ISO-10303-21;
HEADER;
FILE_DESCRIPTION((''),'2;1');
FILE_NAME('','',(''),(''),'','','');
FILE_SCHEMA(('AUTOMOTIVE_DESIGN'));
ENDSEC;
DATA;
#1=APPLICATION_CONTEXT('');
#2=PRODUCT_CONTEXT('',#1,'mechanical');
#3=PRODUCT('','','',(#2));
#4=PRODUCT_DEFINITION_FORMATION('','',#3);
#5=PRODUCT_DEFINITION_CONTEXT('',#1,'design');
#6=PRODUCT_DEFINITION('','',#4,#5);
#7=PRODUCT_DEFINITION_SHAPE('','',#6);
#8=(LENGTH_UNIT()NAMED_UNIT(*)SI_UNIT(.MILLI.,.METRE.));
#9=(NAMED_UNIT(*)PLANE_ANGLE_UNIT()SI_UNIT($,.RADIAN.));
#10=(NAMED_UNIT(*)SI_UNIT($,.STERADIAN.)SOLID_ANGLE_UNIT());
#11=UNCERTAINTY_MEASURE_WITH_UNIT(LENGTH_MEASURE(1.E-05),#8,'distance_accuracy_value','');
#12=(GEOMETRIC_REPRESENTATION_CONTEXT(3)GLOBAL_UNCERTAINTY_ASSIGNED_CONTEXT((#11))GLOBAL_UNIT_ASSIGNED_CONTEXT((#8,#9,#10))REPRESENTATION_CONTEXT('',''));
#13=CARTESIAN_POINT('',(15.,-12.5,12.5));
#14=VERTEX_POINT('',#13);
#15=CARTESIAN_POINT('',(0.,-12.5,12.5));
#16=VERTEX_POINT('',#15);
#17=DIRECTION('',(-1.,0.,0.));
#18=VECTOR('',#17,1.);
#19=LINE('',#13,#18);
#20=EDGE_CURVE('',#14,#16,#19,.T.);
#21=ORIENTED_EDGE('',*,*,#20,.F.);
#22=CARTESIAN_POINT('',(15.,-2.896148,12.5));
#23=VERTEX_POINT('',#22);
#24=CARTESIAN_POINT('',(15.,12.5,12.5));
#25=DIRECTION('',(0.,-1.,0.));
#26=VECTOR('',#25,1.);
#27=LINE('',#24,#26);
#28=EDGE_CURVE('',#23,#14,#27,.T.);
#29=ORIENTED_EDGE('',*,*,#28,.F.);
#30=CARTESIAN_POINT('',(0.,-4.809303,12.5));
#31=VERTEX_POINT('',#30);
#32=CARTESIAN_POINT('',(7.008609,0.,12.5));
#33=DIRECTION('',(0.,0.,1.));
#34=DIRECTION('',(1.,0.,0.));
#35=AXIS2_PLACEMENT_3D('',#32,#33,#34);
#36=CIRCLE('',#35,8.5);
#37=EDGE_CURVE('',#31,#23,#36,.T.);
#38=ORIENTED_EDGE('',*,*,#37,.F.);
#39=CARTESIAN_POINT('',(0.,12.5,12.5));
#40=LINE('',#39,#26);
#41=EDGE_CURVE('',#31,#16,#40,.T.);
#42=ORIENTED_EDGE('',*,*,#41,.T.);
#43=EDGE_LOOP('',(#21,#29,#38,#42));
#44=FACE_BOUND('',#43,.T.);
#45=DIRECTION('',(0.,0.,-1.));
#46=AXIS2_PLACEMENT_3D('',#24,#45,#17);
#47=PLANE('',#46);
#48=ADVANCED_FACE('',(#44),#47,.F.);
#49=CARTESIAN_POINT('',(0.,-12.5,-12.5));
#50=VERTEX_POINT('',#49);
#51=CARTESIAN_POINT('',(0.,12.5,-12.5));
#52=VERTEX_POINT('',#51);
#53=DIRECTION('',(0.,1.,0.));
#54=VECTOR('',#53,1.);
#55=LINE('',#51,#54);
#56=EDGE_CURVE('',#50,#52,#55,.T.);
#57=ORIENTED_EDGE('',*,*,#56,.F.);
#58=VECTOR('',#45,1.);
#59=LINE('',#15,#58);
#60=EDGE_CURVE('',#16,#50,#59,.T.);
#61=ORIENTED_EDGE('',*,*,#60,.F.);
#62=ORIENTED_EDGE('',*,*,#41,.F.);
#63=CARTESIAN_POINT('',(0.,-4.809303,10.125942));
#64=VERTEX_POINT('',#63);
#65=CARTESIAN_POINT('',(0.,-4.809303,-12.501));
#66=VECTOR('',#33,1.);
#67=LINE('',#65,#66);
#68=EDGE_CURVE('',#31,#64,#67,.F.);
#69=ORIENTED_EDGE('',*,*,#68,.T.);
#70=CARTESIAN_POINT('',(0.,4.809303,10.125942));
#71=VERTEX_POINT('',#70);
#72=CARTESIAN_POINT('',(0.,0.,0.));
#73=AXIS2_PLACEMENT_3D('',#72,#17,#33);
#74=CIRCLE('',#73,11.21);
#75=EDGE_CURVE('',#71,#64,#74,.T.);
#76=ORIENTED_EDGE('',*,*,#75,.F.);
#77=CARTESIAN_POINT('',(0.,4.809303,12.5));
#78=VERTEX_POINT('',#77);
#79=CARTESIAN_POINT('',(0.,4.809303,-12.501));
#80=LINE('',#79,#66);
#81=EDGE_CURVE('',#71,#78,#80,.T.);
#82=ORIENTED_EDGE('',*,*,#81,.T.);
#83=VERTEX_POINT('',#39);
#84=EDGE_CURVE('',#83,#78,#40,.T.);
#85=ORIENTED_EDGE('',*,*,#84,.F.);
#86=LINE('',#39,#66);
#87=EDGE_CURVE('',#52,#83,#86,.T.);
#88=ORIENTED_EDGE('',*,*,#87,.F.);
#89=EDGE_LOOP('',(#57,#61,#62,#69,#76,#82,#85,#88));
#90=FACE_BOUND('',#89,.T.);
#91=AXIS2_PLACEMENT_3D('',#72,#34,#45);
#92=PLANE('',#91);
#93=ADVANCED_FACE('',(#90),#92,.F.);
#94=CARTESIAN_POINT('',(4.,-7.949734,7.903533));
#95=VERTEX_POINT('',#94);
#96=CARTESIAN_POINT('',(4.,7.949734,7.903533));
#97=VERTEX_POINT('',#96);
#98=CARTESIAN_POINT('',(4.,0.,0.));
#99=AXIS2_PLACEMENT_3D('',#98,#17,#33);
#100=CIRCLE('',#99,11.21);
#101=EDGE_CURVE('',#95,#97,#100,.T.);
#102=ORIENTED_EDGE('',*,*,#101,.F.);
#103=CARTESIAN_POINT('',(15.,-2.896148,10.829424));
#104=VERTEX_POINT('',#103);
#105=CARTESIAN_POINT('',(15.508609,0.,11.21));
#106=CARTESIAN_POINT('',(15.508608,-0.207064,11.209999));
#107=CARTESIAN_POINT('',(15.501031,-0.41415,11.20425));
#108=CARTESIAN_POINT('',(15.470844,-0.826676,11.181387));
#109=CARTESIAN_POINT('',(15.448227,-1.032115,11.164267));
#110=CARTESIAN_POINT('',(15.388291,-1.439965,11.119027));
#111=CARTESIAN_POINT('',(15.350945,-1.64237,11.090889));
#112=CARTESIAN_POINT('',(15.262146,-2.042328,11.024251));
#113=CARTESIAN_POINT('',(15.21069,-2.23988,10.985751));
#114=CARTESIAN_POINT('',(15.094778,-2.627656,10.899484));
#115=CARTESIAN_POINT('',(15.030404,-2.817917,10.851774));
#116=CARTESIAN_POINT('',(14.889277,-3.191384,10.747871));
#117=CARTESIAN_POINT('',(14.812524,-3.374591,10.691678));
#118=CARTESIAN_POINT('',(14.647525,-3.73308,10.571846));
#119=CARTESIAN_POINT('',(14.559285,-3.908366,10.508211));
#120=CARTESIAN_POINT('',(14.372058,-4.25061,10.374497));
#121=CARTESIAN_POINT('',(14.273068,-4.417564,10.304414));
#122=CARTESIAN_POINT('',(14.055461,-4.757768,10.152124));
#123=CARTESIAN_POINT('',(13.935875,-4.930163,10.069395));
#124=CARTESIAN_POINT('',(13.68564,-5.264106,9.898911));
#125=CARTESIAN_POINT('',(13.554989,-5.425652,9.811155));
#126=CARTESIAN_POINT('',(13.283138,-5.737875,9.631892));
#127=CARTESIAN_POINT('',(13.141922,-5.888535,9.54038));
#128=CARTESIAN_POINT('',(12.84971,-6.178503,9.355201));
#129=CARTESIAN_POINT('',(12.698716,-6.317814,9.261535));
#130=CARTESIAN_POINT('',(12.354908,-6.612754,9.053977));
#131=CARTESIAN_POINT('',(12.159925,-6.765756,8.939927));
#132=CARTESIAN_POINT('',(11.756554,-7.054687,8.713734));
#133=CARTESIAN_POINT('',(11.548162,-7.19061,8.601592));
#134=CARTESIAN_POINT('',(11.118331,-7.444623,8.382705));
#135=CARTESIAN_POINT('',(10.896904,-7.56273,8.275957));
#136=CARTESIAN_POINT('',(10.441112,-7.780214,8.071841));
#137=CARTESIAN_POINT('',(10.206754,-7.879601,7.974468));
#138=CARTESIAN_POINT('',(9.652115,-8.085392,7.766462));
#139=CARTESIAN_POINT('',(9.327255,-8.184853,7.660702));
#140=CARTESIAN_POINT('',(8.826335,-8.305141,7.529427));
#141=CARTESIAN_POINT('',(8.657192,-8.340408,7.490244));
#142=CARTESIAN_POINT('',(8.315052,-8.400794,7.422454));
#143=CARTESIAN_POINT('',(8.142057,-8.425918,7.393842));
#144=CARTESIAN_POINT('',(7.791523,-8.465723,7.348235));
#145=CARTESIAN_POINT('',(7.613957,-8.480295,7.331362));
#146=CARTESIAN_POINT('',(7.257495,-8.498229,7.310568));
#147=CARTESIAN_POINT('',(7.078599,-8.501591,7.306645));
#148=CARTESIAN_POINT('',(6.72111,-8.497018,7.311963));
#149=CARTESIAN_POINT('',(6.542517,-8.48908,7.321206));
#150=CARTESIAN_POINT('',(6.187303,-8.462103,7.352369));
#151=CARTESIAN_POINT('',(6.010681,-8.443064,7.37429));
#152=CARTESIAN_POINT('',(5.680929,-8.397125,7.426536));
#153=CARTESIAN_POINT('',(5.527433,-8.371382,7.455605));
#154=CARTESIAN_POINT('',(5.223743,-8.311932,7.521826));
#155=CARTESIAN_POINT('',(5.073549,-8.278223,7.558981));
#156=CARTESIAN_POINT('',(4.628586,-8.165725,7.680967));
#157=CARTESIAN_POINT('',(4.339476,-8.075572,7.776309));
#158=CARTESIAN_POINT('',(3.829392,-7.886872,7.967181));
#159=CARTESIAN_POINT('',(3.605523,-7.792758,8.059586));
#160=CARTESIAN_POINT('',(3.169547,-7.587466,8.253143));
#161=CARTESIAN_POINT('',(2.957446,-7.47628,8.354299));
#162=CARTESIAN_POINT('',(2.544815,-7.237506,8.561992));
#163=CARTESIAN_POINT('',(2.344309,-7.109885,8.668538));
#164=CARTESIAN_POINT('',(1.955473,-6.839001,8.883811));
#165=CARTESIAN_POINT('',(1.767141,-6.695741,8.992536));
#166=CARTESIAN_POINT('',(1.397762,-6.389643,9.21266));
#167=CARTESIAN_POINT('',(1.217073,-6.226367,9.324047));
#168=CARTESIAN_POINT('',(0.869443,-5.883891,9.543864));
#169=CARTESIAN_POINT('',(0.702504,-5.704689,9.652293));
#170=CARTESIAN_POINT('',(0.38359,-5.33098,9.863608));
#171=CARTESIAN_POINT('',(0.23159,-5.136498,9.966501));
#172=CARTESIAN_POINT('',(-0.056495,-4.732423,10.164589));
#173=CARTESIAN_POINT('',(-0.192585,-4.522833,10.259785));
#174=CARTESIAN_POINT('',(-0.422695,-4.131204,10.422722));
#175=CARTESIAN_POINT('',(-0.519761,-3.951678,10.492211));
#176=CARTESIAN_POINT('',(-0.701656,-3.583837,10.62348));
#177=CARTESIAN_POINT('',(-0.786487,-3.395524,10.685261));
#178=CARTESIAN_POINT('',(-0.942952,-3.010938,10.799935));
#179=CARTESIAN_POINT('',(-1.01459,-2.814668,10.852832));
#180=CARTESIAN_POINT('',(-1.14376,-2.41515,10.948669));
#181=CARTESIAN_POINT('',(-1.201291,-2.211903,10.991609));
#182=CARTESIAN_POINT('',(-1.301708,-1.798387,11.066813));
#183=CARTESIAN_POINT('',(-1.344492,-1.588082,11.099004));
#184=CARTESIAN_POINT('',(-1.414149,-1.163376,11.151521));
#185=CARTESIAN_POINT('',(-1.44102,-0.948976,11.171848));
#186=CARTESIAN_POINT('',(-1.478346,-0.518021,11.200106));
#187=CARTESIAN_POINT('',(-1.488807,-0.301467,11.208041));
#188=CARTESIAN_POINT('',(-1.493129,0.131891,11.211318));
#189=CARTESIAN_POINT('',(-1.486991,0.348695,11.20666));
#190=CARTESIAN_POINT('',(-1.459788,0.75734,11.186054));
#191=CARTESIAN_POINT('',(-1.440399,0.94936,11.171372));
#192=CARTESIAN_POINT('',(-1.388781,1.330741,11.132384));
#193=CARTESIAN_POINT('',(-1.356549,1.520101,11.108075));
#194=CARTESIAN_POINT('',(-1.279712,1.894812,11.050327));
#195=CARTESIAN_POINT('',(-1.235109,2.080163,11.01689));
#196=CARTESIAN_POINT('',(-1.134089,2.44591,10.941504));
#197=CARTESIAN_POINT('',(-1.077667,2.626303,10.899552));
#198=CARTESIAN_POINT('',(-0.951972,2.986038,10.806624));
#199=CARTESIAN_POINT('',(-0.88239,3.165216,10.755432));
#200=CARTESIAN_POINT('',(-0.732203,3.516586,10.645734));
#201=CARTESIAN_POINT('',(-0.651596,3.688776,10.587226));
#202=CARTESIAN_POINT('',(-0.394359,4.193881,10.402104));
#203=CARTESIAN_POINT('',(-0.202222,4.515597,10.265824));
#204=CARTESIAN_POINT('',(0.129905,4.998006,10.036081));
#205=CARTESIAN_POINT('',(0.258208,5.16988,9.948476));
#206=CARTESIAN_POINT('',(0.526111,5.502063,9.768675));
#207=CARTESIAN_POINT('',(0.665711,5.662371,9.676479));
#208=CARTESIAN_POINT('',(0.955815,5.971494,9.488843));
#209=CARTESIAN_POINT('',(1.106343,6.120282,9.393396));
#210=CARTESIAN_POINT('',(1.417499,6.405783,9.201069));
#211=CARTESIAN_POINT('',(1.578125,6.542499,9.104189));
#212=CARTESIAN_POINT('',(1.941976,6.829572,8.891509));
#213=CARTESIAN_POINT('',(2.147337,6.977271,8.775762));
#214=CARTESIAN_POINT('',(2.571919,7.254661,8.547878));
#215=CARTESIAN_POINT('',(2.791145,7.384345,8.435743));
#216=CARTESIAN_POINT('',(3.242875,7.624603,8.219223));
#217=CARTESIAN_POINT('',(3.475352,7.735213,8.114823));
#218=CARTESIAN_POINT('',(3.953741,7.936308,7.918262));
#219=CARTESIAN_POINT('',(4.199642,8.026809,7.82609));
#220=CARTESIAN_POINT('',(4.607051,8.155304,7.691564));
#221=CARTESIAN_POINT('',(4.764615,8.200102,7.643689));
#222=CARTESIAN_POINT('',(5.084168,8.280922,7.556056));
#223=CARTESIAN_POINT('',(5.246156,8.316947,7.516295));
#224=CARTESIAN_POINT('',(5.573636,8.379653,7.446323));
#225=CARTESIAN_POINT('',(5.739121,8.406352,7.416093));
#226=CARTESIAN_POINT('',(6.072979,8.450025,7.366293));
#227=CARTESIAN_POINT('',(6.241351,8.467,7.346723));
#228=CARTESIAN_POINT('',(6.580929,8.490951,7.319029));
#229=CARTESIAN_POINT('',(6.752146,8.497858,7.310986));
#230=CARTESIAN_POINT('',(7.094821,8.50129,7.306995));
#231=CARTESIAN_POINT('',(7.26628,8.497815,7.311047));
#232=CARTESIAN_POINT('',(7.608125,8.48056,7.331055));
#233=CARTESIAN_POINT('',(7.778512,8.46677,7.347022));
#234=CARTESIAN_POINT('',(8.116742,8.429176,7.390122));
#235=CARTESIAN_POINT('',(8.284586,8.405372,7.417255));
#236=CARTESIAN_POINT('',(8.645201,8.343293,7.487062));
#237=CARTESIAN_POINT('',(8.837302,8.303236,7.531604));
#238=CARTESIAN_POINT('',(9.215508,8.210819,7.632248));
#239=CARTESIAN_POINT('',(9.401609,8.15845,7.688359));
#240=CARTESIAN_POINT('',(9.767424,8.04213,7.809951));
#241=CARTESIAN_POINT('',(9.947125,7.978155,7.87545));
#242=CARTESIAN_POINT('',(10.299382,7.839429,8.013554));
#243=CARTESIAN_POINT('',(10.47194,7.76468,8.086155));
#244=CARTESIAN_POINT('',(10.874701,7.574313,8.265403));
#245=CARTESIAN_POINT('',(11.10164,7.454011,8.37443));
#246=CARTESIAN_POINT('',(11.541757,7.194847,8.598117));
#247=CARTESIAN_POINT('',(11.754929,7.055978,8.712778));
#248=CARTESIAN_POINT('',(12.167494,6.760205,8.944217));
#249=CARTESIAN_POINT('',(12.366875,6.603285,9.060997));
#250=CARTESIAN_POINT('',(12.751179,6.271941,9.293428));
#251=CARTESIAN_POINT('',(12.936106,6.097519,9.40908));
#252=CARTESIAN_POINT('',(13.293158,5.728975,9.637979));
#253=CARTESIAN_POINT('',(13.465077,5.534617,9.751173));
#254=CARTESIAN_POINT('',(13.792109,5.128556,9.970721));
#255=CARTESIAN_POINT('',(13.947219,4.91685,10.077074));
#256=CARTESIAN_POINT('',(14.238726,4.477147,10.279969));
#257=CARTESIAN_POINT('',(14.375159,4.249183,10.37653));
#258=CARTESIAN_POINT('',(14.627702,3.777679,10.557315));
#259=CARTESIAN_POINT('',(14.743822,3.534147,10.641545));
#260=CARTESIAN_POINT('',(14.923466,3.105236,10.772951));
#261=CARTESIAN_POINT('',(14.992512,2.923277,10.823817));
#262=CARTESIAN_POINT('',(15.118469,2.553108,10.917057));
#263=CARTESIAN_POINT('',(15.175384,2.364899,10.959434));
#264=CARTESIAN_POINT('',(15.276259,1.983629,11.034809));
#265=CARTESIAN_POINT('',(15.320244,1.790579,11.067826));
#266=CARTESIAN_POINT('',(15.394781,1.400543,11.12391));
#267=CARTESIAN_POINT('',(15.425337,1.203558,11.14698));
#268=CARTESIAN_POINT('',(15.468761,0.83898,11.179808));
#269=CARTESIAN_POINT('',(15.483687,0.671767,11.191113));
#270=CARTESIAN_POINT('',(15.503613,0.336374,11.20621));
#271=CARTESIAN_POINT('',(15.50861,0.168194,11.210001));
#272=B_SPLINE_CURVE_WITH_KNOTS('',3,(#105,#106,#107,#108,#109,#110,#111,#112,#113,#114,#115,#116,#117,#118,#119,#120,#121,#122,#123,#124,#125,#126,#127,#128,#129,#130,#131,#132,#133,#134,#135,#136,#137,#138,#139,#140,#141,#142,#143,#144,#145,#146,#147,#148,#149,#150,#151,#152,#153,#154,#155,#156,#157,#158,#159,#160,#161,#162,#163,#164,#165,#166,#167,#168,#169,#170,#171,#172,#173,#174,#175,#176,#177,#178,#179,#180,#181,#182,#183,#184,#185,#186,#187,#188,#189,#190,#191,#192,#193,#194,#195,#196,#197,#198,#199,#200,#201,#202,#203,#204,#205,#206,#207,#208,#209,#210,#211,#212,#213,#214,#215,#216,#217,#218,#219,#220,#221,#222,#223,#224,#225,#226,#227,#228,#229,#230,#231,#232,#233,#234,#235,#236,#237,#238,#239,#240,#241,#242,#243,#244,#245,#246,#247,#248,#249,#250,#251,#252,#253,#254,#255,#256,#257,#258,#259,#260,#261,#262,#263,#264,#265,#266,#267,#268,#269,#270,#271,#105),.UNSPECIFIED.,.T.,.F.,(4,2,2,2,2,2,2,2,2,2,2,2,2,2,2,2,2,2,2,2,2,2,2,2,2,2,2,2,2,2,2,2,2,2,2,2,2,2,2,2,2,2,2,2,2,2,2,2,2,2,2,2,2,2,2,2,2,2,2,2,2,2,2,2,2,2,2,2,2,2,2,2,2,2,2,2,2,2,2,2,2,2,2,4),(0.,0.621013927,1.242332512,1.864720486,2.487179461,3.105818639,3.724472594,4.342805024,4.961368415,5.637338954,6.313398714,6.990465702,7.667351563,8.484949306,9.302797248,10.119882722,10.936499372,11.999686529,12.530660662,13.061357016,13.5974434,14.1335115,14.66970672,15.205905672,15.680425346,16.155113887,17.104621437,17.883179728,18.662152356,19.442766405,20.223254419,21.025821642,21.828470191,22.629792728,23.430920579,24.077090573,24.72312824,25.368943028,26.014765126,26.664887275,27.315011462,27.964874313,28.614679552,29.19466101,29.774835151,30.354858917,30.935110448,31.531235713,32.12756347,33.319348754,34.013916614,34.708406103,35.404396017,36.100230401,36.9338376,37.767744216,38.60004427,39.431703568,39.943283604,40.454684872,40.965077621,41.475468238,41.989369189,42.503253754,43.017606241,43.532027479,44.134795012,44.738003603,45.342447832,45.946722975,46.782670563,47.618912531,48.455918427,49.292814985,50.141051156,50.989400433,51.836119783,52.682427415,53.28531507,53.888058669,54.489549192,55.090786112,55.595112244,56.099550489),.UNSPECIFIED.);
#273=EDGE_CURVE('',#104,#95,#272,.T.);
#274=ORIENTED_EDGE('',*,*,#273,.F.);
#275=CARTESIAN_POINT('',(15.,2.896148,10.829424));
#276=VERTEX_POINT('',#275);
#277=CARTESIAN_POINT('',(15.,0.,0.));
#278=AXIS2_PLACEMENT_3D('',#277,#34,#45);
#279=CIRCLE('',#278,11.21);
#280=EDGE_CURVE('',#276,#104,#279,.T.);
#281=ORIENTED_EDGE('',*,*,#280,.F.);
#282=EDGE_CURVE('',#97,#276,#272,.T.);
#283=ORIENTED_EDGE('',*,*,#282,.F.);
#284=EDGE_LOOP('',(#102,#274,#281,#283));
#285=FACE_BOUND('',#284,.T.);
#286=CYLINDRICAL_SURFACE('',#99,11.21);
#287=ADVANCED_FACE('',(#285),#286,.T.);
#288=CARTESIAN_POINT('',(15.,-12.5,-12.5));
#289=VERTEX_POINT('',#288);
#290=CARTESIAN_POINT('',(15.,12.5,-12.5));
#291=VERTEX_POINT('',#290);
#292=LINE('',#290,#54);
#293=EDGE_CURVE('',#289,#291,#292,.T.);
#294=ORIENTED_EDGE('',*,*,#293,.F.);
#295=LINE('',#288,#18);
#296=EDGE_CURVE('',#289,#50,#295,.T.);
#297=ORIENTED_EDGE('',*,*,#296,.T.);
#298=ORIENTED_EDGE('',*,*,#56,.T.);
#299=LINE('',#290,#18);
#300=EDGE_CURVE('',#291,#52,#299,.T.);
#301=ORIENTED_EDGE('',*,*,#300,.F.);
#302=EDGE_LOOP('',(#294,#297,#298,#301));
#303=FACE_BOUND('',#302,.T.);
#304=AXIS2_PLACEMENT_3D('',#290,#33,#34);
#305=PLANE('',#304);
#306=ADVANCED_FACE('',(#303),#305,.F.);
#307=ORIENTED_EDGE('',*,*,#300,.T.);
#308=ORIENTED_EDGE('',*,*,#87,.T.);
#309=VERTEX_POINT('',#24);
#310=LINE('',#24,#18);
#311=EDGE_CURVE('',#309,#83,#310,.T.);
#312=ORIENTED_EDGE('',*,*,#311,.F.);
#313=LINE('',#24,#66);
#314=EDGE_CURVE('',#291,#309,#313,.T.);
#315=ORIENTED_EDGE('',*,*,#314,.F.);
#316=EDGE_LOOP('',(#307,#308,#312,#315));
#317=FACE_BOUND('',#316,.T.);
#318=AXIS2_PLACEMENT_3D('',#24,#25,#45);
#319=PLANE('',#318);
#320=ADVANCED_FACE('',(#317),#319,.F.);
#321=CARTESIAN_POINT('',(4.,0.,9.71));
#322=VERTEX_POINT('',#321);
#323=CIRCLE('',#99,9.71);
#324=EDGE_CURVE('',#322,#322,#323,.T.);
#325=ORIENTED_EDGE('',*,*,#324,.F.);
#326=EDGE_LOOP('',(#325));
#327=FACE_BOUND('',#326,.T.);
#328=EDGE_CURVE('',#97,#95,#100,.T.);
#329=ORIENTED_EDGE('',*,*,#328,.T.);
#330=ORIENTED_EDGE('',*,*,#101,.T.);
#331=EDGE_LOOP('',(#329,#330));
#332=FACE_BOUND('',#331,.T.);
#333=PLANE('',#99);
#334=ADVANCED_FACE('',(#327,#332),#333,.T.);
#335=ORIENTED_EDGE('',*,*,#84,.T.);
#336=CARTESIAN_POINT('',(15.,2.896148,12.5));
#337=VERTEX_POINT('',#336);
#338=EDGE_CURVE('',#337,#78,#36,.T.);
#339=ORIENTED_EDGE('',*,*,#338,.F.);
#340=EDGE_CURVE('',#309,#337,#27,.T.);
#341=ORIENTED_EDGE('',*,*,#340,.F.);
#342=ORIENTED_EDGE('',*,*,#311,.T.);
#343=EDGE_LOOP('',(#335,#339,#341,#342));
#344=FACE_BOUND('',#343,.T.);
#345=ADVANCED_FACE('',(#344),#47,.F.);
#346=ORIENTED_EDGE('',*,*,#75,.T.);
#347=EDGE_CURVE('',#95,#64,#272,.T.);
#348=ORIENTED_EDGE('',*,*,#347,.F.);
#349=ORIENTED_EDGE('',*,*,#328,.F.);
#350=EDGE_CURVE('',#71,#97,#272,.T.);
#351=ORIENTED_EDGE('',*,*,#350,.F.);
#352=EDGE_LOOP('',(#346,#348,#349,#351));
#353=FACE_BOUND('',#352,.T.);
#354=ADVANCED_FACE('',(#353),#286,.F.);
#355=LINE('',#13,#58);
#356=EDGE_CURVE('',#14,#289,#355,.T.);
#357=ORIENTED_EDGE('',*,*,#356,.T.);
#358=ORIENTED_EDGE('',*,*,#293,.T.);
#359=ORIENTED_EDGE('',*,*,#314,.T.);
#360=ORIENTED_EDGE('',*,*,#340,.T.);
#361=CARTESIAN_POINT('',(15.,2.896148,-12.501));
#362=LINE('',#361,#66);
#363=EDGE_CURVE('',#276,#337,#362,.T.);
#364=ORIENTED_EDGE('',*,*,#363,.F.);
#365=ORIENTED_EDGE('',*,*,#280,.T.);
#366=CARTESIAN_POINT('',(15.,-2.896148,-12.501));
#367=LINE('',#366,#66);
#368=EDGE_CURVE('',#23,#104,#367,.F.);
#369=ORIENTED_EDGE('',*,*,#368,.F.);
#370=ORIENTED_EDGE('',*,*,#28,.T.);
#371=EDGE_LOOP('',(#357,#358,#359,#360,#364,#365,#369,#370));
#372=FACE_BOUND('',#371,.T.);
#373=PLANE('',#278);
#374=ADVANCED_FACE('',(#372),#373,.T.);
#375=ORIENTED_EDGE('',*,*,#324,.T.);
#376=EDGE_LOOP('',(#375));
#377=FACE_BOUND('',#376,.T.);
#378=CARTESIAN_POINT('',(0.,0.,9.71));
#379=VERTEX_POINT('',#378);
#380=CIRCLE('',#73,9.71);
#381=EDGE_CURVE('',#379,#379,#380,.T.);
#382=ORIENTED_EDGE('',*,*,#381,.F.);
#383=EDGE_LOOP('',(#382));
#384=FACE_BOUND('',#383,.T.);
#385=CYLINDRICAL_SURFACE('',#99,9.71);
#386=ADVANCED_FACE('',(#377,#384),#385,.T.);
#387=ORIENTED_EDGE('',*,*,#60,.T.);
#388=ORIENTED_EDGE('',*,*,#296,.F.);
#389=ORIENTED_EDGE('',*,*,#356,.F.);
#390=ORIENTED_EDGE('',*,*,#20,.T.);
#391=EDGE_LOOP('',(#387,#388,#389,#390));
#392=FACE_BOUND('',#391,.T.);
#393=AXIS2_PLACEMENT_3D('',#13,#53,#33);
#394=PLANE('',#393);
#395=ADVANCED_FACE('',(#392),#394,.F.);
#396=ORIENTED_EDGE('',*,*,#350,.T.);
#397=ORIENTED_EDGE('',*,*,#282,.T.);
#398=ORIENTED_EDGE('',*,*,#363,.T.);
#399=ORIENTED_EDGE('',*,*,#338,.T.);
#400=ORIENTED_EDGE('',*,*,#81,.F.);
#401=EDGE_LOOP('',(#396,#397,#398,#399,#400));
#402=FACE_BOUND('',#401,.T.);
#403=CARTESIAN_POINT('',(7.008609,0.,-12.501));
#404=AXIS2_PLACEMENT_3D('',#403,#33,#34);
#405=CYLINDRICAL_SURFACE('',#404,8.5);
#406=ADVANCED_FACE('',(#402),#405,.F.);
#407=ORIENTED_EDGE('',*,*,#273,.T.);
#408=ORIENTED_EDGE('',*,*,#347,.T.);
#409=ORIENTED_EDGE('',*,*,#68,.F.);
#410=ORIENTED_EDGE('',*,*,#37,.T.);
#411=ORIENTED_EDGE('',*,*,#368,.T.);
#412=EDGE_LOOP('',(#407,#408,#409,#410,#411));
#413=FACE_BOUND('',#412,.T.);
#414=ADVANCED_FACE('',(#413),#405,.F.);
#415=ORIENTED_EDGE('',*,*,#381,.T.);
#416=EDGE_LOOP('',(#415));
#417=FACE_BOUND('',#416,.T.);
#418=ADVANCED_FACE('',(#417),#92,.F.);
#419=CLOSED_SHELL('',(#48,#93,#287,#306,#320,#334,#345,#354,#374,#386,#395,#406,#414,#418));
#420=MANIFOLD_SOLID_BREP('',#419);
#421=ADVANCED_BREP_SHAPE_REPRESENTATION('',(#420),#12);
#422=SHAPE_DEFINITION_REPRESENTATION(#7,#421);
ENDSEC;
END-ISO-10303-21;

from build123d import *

# Parameters (mm, degrees)
SKETCH1_W               = 25
SKETCH1_H               = 25
BOSS_EXTRUDE1_DEPTH     = 15
SKETCH2_R               = 11.21
SKETCH2_R_2             = 9.71
CUT_EXTRUDE1_DEPTH      = 4
CUT_EXTRUDE4_REACH      = 33.721
CUT_EXTRUDE4_END_RADIUS = 11.21
SKETCH4_R               = 8.5


with BuildPart() as part:
    # Sketch1 → Boss-Extrude1 (new body)
    with BuildSketch(Plane(origin=(0, 0, 0), x_dir=(0, 0, -1), z_dir=(1, 0, 0))):
        Rectangle(SKETCH1_W, SKETCH1_H)
    extrude(amount=BOSS_EXTRUDE1_DEPTH)

    # Sketch2 → Cut-Extrude1 (cut)
    with BuildSketch(Plane.ZY):
        Circle(SKETCH2_R)
        Circle(SKETCH2_R_2, mode=Mode.SUBTRACT)
    extrude(amount=-CUT_EXTRUDE1_DEPTH, mode=Mode.SUBTRACT)

    # Cut-Extrude4: up to this cylinder (the profile starts outside it)
    cut_extrude4_end = Plane(origin=(7.008609, 0, 0), z_dir=(-1, 0, 0)) * Cylinder(CUT_EXTRUDE4_END_RADIUS, 90.862, mode=Mode.PRIVATE)
    # Sketch4 → Cut-Extrude4 (cut, up to the surface)
    with BuildSketch(Plane.XY.offset(12.5), mode=Mode.PRIVATE) as cut_extrude4_sk1:
        with Locations((7.008609298, 0)):
            Circle(SKETCH4_R)
    cut_extrude4_tool1 = extrude(cut_extrude4_sk1.sketch, amount=-CUT_EXTRUDE4_REACH, mode=Mode.PRIVATE) - cut_extrude4_end
    add(cut_extrude4_tool1.solids().sort_by_distance((7.008609, 0, 12.5))[0], mode=Mode.SUBTRACT)


solid = part.part
